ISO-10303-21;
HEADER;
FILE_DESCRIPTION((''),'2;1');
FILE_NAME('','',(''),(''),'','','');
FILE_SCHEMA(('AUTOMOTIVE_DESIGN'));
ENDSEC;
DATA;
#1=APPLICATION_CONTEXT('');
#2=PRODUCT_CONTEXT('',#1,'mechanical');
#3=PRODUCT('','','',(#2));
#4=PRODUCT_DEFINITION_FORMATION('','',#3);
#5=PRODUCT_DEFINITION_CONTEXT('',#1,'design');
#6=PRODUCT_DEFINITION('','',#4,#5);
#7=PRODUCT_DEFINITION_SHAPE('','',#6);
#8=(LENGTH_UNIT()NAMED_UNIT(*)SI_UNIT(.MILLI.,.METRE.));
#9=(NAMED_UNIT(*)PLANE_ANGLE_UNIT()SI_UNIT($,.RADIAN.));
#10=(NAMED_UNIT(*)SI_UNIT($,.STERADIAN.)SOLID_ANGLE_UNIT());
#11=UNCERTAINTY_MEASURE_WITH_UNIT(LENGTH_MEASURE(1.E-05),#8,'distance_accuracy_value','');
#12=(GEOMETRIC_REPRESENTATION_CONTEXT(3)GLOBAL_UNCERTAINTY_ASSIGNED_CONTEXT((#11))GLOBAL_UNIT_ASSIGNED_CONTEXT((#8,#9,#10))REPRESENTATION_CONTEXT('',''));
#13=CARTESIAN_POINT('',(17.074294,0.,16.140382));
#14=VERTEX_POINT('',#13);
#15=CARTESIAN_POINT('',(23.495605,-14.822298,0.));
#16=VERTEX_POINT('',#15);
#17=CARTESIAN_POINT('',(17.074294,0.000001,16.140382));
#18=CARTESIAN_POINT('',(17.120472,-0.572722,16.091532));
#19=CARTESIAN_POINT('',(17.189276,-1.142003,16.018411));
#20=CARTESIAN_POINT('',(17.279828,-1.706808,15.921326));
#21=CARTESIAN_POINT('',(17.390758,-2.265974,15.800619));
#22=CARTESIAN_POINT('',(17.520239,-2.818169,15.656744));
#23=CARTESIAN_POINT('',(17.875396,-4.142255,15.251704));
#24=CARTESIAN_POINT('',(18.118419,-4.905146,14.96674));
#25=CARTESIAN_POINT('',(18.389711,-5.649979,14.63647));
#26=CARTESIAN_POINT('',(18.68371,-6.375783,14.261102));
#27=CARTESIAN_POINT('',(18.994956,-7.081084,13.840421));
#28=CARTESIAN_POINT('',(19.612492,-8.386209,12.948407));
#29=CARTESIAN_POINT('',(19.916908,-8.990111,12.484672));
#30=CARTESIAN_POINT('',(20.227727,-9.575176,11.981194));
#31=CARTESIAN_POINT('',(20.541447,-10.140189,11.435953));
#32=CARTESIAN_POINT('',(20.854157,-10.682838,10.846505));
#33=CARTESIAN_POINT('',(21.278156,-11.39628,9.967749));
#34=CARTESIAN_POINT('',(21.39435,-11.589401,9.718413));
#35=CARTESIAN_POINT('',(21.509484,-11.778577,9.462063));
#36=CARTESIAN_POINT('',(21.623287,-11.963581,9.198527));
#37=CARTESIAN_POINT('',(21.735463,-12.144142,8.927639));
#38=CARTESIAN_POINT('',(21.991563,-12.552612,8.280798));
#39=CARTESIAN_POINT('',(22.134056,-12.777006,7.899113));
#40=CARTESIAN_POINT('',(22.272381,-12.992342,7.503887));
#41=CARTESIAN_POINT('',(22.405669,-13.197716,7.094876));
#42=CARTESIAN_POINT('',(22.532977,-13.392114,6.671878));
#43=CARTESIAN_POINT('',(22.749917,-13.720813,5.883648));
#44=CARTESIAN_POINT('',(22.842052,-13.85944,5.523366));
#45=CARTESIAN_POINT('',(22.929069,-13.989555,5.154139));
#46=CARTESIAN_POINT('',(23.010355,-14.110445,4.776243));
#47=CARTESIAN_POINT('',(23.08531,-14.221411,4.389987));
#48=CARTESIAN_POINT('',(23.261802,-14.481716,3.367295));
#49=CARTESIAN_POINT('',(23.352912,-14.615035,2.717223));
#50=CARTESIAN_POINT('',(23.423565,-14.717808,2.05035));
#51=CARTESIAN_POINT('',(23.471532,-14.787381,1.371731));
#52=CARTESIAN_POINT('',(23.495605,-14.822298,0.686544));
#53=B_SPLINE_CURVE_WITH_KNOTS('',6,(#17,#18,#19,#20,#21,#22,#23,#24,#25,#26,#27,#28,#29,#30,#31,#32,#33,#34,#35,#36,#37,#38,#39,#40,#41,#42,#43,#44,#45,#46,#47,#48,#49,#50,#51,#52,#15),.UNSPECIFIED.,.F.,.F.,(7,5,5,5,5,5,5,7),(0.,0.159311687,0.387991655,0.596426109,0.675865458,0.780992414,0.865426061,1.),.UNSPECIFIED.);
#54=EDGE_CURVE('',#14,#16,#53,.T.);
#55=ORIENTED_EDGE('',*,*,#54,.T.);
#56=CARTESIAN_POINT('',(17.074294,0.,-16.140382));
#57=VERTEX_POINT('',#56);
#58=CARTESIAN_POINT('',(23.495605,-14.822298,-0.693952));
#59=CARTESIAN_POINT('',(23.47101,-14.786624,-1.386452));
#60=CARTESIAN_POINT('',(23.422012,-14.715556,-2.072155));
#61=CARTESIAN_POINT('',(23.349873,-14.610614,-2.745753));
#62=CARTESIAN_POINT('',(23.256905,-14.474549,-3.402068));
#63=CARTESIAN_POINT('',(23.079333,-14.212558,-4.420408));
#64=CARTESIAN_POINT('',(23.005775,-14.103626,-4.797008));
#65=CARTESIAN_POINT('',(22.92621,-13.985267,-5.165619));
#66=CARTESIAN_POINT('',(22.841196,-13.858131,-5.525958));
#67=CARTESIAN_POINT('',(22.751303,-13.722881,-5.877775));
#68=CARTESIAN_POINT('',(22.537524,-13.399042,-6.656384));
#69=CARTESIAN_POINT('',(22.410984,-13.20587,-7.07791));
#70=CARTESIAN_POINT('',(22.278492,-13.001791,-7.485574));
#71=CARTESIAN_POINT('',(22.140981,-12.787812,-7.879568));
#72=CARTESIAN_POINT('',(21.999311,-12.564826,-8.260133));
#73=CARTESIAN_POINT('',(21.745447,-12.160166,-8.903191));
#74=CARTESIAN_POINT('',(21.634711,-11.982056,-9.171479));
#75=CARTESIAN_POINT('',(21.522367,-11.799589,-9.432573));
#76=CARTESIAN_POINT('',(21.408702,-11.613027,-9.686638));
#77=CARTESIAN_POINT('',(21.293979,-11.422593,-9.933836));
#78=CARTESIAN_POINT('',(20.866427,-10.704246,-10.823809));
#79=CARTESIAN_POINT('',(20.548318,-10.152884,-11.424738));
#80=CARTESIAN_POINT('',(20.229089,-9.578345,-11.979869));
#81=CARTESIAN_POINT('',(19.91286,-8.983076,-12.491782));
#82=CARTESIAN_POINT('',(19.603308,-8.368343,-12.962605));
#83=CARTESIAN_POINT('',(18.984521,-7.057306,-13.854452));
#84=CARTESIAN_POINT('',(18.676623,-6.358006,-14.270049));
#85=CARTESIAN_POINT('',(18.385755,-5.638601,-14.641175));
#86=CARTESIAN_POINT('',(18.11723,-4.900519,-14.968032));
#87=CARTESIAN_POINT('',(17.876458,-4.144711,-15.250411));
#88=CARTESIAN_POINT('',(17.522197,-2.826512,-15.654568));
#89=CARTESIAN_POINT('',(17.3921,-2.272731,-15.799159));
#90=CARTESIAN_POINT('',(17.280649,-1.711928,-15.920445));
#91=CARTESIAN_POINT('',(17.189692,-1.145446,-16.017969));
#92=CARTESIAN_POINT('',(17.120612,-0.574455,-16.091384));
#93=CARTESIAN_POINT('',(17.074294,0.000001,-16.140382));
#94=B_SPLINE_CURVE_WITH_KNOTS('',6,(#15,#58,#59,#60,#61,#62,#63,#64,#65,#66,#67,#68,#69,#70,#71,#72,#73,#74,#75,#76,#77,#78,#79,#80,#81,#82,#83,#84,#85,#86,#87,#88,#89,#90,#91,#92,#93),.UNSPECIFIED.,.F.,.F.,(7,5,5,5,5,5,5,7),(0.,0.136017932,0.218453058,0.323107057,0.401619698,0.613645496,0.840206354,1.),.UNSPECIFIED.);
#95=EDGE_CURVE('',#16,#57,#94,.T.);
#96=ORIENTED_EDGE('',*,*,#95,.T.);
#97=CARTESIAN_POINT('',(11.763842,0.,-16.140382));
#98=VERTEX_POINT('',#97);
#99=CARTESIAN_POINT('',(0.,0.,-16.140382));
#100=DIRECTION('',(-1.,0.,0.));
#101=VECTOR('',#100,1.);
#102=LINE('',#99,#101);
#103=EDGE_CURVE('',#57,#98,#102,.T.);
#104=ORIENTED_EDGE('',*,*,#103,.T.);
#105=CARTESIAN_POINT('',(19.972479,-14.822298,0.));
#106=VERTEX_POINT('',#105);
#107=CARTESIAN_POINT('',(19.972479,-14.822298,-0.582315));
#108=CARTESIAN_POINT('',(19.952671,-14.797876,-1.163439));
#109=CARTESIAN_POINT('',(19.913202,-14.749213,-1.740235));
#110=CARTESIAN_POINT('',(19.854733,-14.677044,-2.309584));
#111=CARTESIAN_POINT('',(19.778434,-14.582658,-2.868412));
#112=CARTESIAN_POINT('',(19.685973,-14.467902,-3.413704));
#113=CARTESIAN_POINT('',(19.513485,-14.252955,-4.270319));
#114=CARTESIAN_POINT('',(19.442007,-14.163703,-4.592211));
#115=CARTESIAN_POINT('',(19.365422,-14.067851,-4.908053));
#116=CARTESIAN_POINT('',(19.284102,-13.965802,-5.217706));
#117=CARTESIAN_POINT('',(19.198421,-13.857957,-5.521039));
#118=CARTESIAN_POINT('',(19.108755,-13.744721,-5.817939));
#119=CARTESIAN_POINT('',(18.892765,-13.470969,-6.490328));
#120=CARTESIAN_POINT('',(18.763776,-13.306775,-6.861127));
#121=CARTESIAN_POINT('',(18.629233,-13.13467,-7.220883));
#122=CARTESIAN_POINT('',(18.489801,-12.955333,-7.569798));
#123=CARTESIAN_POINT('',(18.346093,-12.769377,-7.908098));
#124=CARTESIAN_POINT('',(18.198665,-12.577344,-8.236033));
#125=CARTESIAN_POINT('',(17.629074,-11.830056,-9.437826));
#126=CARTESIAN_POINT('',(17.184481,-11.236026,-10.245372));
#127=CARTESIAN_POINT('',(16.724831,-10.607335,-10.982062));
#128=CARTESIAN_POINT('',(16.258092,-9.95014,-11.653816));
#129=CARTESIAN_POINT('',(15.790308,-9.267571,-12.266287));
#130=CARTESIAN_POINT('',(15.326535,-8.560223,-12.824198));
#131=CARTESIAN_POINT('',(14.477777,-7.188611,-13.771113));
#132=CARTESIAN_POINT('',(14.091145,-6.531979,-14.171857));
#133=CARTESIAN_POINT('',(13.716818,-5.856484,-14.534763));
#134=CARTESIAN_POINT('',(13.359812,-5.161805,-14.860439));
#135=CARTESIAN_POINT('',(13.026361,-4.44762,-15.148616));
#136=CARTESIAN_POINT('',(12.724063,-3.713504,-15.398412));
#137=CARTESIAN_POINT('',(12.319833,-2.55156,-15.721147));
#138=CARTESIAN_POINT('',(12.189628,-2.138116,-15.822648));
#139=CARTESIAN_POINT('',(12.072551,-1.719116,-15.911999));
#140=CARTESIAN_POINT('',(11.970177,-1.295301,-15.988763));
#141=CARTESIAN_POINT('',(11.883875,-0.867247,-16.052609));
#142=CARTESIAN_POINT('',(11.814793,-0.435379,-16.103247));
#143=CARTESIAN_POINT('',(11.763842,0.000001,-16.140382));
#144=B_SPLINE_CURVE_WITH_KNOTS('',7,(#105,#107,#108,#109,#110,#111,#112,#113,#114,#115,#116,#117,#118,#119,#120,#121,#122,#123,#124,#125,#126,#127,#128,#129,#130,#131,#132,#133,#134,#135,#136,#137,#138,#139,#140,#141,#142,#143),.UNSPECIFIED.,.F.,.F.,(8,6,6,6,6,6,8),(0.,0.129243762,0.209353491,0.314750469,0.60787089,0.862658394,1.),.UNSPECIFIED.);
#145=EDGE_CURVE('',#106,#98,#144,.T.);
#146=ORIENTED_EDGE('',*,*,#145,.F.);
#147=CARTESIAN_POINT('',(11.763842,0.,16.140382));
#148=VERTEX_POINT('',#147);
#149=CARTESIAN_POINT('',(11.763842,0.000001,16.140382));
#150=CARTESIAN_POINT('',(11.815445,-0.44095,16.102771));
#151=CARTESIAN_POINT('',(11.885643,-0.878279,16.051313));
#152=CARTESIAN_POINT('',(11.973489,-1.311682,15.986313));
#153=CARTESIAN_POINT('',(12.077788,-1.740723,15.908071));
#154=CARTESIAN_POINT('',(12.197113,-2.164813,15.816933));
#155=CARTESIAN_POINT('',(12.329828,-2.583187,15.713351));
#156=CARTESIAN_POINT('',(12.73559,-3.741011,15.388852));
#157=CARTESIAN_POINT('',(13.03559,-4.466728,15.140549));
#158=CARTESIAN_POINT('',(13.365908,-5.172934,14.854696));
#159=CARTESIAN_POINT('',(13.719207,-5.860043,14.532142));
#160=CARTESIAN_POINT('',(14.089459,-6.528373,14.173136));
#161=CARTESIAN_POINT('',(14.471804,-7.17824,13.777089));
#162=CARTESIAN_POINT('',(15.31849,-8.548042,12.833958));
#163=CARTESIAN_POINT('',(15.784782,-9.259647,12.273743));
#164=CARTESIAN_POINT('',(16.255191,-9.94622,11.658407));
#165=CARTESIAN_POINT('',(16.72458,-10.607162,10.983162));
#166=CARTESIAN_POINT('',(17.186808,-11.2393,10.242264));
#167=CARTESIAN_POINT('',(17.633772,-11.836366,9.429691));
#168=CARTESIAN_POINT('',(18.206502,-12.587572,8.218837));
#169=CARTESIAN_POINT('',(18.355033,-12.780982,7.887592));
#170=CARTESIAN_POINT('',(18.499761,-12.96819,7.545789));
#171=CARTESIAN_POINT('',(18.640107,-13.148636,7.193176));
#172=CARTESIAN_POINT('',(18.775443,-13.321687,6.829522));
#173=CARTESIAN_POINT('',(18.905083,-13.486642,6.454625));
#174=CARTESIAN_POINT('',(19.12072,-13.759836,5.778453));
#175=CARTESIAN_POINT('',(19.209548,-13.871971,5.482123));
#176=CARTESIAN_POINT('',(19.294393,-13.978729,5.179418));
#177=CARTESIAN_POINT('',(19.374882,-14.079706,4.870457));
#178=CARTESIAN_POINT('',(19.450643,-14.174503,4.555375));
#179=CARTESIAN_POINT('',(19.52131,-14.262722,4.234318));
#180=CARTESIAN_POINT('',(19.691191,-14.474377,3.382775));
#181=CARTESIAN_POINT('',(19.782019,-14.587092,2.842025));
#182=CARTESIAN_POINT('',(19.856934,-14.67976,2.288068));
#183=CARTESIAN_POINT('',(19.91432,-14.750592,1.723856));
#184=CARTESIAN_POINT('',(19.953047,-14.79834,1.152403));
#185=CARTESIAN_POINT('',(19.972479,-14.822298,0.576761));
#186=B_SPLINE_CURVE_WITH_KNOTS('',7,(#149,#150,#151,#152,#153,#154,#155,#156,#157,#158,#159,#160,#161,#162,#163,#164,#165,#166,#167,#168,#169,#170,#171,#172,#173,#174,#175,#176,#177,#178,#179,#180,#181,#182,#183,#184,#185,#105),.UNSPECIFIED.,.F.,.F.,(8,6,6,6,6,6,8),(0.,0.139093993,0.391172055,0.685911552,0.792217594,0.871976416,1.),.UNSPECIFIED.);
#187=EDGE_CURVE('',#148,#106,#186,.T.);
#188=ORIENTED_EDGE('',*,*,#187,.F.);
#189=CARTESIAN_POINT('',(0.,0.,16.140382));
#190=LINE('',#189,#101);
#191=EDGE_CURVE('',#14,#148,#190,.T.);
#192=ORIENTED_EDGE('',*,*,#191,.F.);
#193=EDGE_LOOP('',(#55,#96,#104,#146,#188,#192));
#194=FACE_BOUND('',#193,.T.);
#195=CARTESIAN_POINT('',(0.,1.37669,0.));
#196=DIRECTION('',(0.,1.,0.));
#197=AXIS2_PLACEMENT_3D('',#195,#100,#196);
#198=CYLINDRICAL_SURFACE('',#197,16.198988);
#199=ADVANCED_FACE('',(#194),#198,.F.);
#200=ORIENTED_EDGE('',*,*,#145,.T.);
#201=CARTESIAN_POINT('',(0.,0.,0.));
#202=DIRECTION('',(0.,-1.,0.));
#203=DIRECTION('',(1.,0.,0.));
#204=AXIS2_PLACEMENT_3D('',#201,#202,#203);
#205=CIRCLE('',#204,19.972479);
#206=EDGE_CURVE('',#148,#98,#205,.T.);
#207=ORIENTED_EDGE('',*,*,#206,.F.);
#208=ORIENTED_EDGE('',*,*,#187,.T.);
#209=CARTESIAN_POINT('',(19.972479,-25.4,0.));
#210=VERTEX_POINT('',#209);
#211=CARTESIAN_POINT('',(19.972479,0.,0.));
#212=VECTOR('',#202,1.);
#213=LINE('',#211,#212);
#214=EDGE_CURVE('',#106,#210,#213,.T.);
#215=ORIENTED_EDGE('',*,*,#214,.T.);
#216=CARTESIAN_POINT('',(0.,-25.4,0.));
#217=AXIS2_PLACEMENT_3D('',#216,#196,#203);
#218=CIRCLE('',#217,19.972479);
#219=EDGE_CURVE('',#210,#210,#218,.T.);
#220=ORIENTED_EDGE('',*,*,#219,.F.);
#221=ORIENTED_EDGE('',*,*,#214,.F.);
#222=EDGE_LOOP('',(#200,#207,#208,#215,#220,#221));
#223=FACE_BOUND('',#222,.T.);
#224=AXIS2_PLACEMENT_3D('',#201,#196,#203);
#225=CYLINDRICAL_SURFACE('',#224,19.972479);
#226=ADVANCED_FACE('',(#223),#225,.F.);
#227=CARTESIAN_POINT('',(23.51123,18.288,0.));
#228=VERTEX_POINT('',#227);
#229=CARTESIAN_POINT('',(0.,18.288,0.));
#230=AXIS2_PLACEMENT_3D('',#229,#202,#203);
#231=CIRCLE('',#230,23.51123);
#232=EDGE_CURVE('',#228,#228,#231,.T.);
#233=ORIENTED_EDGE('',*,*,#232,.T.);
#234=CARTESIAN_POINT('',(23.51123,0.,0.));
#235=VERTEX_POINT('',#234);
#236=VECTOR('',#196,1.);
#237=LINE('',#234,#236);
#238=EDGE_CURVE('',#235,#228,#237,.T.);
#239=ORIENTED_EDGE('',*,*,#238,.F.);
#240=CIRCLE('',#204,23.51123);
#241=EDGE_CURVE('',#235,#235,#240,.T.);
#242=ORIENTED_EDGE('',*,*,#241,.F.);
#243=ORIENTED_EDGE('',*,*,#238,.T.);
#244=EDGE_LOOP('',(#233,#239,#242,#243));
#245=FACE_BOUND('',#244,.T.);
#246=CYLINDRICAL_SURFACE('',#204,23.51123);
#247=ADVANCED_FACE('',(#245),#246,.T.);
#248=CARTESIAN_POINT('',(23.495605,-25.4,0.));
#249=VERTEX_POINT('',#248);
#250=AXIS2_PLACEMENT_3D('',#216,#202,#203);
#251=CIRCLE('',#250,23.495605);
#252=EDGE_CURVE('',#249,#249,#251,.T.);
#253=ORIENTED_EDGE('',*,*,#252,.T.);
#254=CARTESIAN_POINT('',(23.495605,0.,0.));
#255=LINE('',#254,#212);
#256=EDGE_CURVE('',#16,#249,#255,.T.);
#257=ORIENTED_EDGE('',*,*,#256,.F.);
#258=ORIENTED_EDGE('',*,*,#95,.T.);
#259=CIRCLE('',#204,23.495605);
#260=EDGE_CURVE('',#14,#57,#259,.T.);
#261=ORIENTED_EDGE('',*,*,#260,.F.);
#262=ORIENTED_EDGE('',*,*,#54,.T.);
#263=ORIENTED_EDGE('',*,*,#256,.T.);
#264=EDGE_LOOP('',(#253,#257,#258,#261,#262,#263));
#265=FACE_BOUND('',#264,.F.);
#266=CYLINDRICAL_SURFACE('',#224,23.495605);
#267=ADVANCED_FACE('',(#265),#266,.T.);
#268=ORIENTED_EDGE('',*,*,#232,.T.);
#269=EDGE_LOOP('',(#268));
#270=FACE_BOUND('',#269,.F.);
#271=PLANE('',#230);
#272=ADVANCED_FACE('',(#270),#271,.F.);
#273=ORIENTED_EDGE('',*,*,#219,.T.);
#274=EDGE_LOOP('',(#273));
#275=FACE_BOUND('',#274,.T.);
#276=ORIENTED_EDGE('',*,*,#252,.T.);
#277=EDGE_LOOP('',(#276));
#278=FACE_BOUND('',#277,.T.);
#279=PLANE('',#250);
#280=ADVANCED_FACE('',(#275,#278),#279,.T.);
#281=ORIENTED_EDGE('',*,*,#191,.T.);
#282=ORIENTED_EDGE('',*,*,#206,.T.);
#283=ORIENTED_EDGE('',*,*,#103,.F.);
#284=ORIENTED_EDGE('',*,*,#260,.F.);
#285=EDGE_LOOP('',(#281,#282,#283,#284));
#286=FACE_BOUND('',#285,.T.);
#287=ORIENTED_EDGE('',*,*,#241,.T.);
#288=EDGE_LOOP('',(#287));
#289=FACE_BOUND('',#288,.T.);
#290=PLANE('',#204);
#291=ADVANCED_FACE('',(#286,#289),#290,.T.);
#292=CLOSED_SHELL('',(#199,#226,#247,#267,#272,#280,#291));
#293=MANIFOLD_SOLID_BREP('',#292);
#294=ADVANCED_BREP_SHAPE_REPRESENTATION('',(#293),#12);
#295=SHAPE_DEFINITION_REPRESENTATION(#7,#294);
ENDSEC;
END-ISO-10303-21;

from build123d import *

# Parameters (mm, degrees)
F0_R     = 23.495605
F1_DEPTH = 25.4
F2_R     = 19.972479
F3_DEPTH = 27.178
F4_R     = 16.198988
F5_DEPTH = 37.846
F6_R     = 23.51123
F7_DEPTH = 18.288


with BuildPart() as f1:
    # F0 (on Front) → F1 (new body)
    with BuildSketch(Plane.XZ):
        Circle(F0_R)
    extrude(amount=F1_DEPTH)

    # F2 (on Front) → F3 (cut)
    with BuildSketch(Plane.XZ):
        Circle(F2_R)
    extrude(amount=F3_DEPTH, mode=Mode.SUBTRACT)

    # F4 (on Right) → F5 (cut)
    with BuildSketch(Plane.YZ):
        with Locations((1.37669, 0)):
            Circle(F4_R)
    extrude(amount=F5_DEPTH, mode=Mode.SUBTRACT)

    # F6 (on Front) → F7 (join)
    with BuildSketch(Plane.XZ):
        Circle(F6_R)
    extrude(amount=-F7_DEPTH)


solid = f1.part
